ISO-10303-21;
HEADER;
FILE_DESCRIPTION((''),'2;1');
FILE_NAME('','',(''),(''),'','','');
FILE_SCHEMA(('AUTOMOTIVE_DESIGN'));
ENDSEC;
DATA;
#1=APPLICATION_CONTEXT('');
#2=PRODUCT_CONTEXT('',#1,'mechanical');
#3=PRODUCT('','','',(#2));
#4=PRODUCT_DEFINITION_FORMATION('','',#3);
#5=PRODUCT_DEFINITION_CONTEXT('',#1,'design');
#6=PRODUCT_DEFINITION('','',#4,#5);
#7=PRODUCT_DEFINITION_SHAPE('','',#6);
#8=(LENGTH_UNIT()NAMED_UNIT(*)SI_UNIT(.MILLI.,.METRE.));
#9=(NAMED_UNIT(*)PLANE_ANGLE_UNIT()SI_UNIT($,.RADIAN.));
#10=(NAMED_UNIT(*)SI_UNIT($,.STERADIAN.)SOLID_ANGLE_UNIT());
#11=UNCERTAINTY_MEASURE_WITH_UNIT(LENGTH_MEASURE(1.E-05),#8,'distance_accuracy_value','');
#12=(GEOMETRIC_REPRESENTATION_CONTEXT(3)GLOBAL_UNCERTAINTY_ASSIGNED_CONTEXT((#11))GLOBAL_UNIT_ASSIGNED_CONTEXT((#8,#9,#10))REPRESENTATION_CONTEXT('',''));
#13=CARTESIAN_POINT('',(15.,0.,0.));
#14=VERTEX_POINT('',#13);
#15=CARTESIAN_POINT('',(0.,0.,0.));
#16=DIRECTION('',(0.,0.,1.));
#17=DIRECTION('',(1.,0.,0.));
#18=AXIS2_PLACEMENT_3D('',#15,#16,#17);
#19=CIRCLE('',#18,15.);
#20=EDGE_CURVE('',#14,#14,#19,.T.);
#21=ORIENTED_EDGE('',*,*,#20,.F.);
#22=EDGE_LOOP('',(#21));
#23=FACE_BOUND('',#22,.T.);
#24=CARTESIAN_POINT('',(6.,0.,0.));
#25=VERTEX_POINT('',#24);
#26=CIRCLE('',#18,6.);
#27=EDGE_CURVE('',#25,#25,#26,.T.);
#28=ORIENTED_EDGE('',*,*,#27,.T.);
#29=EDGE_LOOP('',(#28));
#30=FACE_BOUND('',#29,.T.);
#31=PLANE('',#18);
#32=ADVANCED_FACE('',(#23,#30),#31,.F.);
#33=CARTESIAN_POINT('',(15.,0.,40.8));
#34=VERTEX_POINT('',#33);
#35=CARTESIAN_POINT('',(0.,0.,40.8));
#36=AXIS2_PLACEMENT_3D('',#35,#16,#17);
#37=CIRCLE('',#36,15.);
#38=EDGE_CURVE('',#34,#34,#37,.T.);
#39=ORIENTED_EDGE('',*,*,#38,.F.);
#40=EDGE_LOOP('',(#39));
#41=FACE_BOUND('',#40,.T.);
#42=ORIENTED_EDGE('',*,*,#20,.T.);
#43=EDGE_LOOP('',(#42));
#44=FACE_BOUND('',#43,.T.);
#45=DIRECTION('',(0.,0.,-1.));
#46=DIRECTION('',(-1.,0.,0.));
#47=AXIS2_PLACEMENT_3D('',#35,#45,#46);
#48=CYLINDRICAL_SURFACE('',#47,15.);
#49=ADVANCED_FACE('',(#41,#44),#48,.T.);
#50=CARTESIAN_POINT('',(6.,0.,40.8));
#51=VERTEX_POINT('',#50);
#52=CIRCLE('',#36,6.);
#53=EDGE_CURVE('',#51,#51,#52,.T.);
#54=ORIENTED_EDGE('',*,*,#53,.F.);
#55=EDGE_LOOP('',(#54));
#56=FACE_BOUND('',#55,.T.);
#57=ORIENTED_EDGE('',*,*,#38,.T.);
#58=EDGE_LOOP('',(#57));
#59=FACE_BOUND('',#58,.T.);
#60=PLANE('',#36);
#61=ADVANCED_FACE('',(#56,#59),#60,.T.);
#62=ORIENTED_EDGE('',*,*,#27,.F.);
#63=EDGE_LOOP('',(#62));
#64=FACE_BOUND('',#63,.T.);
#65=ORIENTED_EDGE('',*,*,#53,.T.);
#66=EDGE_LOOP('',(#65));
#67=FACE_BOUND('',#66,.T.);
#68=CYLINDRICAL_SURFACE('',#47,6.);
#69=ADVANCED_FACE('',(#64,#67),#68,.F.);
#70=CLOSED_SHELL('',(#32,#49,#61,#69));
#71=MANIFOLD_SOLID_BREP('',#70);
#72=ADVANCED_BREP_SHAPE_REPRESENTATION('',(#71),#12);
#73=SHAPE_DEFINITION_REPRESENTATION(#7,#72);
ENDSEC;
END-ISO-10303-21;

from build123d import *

# Parameters (mm, degrees)
SKETCH_1_R      = 15
SKETCH_1_R_2    = 6
EXTRUDE_1_DEPTH = 40.8


with BuildPart() as part:
    # 草图1 → 凸台-拉伸1 (new body)
    with BuildSketch(Plane.XY):
        Circle(SKETCH_1_R)
        Circle(SKETCH_1_R_2, mode=Mode.SUBTRACT)
    extrude(amount=EXTRUDE_1_DEPTH)


solid = part.part
